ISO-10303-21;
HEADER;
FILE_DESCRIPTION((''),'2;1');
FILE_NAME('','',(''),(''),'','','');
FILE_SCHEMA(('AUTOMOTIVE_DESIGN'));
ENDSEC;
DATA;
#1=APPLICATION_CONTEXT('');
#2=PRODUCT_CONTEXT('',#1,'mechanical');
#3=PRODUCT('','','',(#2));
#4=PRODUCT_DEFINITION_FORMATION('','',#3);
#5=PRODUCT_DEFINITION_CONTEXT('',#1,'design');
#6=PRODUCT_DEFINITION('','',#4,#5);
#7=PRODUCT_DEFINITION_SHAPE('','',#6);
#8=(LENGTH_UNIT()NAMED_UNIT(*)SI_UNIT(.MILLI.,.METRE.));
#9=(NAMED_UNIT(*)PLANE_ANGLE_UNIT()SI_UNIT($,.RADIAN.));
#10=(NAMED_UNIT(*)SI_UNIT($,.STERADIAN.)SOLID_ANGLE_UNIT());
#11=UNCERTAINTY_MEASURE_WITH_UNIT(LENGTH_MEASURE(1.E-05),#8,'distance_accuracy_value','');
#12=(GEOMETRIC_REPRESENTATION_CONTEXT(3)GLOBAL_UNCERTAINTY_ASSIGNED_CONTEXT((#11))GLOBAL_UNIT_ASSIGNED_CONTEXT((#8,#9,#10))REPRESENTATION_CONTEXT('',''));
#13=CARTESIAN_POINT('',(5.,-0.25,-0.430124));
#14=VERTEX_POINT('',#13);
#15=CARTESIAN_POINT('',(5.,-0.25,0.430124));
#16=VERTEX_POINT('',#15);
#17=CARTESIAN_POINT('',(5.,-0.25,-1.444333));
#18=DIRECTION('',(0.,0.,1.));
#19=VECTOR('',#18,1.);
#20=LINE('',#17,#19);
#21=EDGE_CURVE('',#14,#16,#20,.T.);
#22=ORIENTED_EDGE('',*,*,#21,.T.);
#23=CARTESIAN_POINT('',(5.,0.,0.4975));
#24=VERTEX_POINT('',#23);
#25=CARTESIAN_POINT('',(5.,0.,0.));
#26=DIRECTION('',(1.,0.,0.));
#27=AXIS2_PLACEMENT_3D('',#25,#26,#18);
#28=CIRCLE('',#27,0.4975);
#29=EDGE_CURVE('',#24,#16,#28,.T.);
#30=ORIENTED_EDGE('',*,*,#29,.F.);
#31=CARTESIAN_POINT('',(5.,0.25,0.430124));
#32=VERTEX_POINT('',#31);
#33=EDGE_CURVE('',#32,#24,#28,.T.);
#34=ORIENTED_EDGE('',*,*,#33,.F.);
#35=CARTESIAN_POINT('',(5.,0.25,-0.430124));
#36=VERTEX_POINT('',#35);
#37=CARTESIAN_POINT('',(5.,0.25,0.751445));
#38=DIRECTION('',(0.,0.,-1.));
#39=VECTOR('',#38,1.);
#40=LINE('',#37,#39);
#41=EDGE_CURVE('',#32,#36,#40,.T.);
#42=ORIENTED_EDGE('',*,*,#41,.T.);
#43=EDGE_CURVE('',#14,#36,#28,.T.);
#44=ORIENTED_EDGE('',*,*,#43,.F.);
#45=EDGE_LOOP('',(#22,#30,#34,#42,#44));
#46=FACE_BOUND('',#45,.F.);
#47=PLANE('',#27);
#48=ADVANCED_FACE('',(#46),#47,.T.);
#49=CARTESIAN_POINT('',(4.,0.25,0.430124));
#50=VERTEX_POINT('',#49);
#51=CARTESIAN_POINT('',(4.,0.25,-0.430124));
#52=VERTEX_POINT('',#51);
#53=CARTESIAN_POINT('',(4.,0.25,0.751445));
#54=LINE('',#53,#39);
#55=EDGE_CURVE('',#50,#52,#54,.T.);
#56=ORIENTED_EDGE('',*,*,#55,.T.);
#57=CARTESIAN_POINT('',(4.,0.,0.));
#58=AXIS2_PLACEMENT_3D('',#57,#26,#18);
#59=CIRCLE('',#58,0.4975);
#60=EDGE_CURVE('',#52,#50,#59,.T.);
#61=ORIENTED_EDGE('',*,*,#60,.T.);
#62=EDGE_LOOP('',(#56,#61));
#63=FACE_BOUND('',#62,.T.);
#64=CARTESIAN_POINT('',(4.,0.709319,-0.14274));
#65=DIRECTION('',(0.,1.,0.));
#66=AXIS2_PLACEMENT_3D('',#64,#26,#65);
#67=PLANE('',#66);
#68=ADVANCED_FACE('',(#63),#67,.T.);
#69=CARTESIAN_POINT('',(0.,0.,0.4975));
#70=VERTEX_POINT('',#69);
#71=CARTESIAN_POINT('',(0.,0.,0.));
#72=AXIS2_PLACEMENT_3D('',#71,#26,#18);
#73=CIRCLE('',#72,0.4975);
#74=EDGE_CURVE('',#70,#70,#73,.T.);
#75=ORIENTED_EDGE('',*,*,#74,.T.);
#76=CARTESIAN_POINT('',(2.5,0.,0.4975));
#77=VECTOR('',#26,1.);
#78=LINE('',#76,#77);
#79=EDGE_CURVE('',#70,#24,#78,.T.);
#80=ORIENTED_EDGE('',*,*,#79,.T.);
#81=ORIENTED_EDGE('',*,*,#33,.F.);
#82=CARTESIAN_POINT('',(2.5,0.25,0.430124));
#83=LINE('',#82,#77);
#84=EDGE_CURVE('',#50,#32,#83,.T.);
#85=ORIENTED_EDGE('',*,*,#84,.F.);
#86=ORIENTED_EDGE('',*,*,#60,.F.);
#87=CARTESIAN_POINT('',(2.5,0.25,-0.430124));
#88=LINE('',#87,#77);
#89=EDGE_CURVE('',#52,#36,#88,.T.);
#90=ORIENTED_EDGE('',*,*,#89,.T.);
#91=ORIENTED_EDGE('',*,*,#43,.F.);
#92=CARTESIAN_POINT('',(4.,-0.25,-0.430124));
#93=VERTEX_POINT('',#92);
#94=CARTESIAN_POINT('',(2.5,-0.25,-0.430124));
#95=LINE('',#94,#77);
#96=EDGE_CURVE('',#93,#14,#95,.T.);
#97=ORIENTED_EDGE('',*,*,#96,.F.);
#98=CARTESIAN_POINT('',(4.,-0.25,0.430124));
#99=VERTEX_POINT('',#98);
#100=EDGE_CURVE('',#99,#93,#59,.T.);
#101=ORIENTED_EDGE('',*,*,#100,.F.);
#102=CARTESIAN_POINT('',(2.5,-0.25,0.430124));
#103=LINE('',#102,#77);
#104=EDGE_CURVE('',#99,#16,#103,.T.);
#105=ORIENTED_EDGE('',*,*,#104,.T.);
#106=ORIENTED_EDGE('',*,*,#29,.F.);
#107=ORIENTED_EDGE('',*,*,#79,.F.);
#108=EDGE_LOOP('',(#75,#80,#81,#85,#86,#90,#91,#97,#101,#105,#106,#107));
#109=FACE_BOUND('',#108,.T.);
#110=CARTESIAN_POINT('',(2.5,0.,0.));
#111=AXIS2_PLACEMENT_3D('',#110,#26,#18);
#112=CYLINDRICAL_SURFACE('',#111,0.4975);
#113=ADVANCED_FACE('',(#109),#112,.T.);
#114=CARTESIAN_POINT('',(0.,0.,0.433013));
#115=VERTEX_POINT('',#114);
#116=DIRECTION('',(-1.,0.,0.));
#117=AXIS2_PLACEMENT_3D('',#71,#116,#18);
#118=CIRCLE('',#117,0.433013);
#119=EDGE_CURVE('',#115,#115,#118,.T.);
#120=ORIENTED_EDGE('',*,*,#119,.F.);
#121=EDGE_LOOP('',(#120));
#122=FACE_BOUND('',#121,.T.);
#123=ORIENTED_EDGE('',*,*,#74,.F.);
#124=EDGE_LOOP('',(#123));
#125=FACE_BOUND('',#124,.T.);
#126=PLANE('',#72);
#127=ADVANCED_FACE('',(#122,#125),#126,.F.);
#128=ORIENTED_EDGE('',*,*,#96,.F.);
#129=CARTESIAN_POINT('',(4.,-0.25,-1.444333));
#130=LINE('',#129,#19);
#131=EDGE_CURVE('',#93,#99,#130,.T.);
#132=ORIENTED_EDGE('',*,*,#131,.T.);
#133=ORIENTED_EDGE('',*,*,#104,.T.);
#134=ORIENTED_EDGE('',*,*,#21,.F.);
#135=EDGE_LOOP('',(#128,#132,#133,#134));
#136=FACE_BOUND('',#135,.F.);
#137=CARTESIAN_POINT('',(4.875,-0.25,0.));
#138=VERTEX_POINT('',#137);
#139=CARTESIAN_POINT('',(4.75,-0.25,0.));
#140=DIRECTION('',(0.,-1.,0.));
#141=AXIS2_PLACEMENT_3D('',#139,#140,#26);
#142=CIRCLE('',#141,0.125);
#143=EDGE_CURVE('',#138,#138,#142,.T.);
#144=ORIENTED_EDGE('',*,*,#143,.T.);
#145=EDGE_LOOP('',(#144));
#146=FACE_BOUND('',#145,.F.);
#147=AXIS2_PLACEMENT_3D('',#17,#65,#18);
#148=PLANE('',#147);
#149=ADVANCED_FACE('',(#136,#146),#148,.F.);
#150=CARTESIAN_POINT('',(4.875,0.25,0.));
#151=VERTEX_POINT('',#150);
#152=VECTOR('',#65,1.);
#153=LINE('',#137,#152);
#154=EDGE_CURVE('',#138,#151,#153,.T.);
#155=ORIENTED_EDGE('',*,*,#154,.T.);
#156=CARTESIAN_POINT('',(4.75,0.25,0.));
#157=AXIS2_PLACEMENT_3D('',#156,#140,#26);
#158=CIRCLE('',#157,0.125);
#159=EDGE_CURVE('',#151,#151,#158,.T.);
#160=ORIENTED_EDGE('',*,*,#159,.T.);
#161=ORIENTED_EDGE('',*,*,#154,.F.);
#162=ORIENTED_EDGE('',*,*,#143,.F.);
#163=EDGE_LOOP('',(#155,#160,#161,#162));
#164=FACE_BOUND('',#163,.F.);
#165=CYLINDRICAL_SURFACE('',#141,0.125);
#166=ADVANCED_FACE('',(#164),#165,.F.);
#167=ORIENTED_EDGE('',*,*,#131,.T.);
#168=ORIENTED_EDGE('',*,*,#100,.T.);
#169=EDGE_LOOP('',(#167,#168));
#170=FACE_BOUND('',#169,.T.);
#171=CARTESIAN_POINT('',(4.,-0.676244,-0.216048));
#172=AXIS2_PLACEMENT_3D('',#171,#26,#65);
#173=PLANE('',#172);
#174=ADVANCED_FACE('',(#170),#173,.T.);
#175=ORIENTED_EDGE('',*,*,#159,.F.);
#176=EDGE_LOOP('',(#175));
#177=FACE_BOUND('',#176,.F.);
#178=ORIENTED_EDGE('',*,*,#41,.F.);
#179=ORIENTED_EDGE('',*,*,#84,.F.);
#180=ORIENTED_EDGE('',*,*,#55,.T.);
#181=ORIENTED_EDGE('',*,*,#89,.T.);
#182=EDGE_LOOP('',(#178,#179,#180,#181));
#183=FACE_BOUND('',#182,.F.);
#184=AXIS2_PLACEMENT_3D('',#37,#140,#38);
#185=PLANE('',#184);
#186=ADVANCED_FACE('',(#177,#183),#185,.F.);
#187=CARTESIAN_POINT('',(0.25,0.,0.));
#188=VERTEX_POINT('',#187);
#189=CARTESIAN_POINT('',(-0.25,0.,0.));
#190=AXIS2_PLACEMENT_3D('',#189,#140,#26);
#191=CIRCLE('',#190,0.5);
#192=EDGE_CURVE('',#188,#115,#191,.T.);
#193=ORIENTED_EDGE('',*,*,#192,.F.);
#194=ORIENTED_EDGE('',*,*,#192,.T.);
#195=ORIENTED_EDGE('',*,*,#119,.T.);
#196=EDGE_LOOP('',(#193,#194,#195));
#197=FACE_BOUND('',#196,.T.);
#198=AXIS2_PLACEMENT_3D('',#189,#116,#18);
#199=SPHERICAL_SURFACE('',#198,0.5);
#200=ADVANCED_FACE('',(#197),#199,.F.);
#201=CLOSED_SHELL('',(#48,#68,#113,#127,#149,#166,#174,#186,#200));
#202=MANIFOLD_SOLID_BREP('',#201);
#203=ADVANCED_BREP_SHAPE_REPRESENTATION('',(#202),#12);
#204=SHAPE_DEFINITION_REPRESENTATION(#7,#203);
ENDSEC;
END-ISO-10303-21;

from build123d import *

# Parameters (mm, degrees)
F0_W     = 5
F0_H     = 0.4975
F5_DEPTH = 1
F6_R     = 0.125
F7_DEPTH = 25


with BuildPart() as f1:
    # F0 (on Front) → F1 (revolve)
    with BuildSketch(Plane.XZ):
        with Locations((2.5, 0.24875)):
            Rectangle(F0_W, F0_H)
    revolve(axis=Axis((2.5, 0, 0), (1, 0, 0)))

    # F2 (on Front) → F3 (revolve, cut)
    with BuildSketch(Plane.XZ):
        with BuildLine():
            Line((0, 0), (0.25, 0))
            ThreePointArc((0.25, 0), (-0.25, 0.5), (-0.75, 0))
            Line((-0.75, 0), (0, 0))
        make_face()
    revolve(axis=Axis((-0.25, 0, 0), (1, 0, 0)), mode=Mode.SUBTRACT)

    # F4 (on face) → F5 (cut)
    with BuildSketch(Plane.YZ.offset(5)):
        with BuildLine():
            ThreePointArc((-0.25, -0.4301235288), (-0.4975, 0), (-0.25, 0.4301235288))
            Line((-0.25, 0.4301235288), (-0.25, 1.0018141202))
            Line((-0.25, 1.0018141202), (-1.0779267388, 1.0018141202))
            Line((-1.0779267388, 1.0018141202), (-1.0779267388, -1.4443330893))
            Line((-1.0779267388, -1.4443330893), (-0.25, -1.4443330893))
            Line((-0.25, -1.4443330893), (-0.25, -0.4301235288))
        make_face()
        with BuildLine():
            Line((1.1376104712, 0.7514453044), (0.25, 0.7514453044))
            Line((0.25, 0.7514453044), (0.25, 0.4301235288))
            ThreePointArc((0.25, 0.4301235288), (0.4312083313, 0.2481242128), (0.4975, 0))
            ThreePointArc((0.4975, 0), (0.4312083313, -0.2481242128), (0.25, -0.4301235288))
            Line((0.25, -0.4301235288), (0.25, -1.0461523483))
            Line((0.25, -1.0461523483), (1.1376104712, -1.0461523483))
            Line((1.1376104712, -1.0461523483), (1.1376104712, 0.7514453044))
        make_face()
        with BuildLine():
            ThreePointArc((0.4975, 0), (0.4312083313, 0.2481242128), (0.25, 0.4301235288))
            Line((0.25, 0.4301235288), (0.25, -0.4301235288))
            ThreePointArc((0.25, -0.4301235288), (0.4312083313, -0.2481242128), (0.4975, 0))
        make_face()
        with BuildLine():
            Line((-0.25, -0.4301235288), (-0.25, 0.4301235288))
            ThreePointArc((-0.25, 0.4301235288), (-0.4975, 0), (-0.25, -0.4301235288))
        make_face()
    extrude(amount=-F5_DEPTH, mode=Mode.SUBTRACT)

    # F6 (on face) → F7 (cut)
    with BuildSketch(Plane.XZ.offset(0.25)):
        with Locations((4.75, 0)):
            Circle(F6_R)
    extrude(amount=-F7_DEPTH, mode=Mode.SUBTRACT)


solid = f1.part
